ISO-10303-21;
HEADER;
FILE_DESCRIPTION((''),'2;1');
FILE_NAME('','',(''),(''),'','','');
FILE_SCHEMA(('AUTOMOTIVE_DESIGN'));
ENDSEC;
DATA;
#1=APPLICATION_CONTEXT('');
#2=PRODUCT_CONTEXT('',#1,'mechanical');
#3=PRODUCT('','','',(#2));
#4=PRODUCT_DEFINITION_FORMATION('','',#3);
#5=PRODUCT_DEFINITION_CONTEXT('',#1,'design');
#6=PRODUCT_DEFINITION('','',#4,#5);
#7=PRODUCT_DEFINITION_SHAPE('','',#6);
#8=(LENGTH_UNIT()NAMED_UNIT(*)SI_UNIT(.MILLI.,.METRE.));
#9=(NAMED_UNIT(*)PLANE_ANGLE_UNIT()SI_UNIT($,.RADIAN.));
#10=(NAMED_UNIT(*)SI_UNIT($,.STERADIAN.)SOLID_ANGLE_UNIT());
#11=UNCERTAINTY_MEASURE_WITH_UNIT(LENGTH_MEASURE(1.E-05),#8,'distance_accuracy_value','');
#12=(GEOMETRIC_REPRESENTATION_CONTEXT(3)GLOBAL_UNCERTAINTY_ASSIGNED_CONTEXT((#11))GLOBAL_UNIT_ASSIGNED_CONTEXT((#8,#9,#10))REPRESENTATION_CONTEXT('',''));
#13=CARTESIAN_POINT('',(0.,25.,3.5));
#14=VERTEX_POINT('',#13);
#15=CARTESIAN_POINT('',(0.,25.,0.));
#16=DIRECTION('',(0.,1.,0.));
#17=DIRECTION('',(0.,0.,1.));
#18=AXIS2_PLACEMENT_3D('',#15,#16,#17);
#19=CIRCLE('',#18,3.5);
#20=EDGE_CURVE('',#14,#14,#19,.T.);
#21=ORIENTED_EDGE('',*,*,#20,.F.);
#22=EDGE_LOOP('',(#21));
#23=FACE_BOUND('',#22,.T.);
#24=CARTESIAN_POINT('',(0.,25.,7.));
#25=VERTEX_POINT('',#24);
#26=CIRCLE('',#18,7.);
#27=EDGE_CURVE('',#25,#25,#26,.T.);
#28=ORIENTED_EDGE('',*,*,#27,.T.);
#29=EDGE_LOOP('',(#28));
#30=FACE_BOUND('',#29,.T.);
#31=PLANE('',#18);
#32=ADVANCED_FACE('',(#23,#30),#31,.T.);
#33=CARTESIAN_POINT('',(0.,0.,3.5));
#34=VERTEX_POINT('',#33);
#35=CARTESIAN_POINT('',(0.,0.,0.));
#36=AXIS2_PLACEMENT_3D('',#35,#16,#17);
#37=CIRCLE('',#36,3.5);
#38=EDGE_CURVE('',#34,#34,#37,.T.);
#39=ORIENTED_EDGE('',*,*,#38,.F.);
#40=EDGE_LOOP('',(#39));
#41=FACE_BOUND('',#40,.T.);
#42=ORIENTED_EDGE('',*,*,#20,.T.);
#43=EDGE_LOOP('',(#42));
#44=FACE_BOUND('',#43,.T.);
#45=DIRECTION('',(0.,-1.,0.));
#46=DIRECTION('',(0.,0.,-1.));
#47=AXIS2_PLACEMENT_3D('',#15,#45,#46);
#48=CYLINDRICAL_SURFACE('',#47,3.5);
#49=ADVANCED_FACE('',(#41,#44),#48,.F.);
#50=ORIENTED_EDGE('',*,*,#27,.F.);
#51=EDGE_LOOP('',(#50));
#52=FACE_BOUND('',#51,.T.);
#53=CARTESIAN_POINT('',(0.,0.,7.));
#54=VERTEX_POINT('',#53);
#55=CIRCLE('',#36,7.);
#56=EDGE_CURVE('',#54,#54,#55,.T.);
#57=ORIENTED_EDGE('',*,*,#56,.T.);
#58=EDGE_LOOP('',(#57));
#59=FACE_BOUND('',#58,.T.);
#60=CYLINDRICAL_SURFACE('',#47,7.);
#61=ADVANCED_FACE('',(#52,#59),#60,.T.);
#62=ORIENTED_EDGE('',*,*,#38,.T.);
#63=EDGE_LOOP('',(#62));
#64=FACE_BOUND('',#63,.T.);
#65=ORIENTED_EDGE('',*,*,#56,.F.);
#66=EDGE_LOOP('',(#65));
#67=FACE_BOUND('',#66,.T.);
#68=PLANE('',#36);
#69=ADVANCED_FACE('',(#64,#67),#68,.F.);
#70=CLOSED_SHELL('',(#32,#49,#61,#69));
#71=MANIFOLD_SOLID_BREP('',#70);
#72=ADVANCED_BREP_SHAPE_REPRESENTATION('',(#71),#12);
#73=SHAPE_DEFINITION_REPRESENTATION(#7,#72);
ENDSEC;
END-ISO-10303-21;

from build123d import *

# Parameters (mm, degrees)
CROQUIS1_R              = 7
CROQUIS1_R_2            = 3.5
SALIENTE_EXTRUIR1_DEPTH = 25


with BuildPart() as part:
    # Croquis1 → Saliente-Extruir1 (new body)
    with BuildSketch(Plane(origin=(0, 0, 0), x_dir=(1, 0, 0), z_dir=(0, 1, 0))):
        Circle(CROQUIS1_R)
        Circle(CROQUIS1_R_2, mode=Mode.SUBTRACT)
    extrude(amount=SALIENTE_EXTRUIR1_DEPTH)


solid = part.part
